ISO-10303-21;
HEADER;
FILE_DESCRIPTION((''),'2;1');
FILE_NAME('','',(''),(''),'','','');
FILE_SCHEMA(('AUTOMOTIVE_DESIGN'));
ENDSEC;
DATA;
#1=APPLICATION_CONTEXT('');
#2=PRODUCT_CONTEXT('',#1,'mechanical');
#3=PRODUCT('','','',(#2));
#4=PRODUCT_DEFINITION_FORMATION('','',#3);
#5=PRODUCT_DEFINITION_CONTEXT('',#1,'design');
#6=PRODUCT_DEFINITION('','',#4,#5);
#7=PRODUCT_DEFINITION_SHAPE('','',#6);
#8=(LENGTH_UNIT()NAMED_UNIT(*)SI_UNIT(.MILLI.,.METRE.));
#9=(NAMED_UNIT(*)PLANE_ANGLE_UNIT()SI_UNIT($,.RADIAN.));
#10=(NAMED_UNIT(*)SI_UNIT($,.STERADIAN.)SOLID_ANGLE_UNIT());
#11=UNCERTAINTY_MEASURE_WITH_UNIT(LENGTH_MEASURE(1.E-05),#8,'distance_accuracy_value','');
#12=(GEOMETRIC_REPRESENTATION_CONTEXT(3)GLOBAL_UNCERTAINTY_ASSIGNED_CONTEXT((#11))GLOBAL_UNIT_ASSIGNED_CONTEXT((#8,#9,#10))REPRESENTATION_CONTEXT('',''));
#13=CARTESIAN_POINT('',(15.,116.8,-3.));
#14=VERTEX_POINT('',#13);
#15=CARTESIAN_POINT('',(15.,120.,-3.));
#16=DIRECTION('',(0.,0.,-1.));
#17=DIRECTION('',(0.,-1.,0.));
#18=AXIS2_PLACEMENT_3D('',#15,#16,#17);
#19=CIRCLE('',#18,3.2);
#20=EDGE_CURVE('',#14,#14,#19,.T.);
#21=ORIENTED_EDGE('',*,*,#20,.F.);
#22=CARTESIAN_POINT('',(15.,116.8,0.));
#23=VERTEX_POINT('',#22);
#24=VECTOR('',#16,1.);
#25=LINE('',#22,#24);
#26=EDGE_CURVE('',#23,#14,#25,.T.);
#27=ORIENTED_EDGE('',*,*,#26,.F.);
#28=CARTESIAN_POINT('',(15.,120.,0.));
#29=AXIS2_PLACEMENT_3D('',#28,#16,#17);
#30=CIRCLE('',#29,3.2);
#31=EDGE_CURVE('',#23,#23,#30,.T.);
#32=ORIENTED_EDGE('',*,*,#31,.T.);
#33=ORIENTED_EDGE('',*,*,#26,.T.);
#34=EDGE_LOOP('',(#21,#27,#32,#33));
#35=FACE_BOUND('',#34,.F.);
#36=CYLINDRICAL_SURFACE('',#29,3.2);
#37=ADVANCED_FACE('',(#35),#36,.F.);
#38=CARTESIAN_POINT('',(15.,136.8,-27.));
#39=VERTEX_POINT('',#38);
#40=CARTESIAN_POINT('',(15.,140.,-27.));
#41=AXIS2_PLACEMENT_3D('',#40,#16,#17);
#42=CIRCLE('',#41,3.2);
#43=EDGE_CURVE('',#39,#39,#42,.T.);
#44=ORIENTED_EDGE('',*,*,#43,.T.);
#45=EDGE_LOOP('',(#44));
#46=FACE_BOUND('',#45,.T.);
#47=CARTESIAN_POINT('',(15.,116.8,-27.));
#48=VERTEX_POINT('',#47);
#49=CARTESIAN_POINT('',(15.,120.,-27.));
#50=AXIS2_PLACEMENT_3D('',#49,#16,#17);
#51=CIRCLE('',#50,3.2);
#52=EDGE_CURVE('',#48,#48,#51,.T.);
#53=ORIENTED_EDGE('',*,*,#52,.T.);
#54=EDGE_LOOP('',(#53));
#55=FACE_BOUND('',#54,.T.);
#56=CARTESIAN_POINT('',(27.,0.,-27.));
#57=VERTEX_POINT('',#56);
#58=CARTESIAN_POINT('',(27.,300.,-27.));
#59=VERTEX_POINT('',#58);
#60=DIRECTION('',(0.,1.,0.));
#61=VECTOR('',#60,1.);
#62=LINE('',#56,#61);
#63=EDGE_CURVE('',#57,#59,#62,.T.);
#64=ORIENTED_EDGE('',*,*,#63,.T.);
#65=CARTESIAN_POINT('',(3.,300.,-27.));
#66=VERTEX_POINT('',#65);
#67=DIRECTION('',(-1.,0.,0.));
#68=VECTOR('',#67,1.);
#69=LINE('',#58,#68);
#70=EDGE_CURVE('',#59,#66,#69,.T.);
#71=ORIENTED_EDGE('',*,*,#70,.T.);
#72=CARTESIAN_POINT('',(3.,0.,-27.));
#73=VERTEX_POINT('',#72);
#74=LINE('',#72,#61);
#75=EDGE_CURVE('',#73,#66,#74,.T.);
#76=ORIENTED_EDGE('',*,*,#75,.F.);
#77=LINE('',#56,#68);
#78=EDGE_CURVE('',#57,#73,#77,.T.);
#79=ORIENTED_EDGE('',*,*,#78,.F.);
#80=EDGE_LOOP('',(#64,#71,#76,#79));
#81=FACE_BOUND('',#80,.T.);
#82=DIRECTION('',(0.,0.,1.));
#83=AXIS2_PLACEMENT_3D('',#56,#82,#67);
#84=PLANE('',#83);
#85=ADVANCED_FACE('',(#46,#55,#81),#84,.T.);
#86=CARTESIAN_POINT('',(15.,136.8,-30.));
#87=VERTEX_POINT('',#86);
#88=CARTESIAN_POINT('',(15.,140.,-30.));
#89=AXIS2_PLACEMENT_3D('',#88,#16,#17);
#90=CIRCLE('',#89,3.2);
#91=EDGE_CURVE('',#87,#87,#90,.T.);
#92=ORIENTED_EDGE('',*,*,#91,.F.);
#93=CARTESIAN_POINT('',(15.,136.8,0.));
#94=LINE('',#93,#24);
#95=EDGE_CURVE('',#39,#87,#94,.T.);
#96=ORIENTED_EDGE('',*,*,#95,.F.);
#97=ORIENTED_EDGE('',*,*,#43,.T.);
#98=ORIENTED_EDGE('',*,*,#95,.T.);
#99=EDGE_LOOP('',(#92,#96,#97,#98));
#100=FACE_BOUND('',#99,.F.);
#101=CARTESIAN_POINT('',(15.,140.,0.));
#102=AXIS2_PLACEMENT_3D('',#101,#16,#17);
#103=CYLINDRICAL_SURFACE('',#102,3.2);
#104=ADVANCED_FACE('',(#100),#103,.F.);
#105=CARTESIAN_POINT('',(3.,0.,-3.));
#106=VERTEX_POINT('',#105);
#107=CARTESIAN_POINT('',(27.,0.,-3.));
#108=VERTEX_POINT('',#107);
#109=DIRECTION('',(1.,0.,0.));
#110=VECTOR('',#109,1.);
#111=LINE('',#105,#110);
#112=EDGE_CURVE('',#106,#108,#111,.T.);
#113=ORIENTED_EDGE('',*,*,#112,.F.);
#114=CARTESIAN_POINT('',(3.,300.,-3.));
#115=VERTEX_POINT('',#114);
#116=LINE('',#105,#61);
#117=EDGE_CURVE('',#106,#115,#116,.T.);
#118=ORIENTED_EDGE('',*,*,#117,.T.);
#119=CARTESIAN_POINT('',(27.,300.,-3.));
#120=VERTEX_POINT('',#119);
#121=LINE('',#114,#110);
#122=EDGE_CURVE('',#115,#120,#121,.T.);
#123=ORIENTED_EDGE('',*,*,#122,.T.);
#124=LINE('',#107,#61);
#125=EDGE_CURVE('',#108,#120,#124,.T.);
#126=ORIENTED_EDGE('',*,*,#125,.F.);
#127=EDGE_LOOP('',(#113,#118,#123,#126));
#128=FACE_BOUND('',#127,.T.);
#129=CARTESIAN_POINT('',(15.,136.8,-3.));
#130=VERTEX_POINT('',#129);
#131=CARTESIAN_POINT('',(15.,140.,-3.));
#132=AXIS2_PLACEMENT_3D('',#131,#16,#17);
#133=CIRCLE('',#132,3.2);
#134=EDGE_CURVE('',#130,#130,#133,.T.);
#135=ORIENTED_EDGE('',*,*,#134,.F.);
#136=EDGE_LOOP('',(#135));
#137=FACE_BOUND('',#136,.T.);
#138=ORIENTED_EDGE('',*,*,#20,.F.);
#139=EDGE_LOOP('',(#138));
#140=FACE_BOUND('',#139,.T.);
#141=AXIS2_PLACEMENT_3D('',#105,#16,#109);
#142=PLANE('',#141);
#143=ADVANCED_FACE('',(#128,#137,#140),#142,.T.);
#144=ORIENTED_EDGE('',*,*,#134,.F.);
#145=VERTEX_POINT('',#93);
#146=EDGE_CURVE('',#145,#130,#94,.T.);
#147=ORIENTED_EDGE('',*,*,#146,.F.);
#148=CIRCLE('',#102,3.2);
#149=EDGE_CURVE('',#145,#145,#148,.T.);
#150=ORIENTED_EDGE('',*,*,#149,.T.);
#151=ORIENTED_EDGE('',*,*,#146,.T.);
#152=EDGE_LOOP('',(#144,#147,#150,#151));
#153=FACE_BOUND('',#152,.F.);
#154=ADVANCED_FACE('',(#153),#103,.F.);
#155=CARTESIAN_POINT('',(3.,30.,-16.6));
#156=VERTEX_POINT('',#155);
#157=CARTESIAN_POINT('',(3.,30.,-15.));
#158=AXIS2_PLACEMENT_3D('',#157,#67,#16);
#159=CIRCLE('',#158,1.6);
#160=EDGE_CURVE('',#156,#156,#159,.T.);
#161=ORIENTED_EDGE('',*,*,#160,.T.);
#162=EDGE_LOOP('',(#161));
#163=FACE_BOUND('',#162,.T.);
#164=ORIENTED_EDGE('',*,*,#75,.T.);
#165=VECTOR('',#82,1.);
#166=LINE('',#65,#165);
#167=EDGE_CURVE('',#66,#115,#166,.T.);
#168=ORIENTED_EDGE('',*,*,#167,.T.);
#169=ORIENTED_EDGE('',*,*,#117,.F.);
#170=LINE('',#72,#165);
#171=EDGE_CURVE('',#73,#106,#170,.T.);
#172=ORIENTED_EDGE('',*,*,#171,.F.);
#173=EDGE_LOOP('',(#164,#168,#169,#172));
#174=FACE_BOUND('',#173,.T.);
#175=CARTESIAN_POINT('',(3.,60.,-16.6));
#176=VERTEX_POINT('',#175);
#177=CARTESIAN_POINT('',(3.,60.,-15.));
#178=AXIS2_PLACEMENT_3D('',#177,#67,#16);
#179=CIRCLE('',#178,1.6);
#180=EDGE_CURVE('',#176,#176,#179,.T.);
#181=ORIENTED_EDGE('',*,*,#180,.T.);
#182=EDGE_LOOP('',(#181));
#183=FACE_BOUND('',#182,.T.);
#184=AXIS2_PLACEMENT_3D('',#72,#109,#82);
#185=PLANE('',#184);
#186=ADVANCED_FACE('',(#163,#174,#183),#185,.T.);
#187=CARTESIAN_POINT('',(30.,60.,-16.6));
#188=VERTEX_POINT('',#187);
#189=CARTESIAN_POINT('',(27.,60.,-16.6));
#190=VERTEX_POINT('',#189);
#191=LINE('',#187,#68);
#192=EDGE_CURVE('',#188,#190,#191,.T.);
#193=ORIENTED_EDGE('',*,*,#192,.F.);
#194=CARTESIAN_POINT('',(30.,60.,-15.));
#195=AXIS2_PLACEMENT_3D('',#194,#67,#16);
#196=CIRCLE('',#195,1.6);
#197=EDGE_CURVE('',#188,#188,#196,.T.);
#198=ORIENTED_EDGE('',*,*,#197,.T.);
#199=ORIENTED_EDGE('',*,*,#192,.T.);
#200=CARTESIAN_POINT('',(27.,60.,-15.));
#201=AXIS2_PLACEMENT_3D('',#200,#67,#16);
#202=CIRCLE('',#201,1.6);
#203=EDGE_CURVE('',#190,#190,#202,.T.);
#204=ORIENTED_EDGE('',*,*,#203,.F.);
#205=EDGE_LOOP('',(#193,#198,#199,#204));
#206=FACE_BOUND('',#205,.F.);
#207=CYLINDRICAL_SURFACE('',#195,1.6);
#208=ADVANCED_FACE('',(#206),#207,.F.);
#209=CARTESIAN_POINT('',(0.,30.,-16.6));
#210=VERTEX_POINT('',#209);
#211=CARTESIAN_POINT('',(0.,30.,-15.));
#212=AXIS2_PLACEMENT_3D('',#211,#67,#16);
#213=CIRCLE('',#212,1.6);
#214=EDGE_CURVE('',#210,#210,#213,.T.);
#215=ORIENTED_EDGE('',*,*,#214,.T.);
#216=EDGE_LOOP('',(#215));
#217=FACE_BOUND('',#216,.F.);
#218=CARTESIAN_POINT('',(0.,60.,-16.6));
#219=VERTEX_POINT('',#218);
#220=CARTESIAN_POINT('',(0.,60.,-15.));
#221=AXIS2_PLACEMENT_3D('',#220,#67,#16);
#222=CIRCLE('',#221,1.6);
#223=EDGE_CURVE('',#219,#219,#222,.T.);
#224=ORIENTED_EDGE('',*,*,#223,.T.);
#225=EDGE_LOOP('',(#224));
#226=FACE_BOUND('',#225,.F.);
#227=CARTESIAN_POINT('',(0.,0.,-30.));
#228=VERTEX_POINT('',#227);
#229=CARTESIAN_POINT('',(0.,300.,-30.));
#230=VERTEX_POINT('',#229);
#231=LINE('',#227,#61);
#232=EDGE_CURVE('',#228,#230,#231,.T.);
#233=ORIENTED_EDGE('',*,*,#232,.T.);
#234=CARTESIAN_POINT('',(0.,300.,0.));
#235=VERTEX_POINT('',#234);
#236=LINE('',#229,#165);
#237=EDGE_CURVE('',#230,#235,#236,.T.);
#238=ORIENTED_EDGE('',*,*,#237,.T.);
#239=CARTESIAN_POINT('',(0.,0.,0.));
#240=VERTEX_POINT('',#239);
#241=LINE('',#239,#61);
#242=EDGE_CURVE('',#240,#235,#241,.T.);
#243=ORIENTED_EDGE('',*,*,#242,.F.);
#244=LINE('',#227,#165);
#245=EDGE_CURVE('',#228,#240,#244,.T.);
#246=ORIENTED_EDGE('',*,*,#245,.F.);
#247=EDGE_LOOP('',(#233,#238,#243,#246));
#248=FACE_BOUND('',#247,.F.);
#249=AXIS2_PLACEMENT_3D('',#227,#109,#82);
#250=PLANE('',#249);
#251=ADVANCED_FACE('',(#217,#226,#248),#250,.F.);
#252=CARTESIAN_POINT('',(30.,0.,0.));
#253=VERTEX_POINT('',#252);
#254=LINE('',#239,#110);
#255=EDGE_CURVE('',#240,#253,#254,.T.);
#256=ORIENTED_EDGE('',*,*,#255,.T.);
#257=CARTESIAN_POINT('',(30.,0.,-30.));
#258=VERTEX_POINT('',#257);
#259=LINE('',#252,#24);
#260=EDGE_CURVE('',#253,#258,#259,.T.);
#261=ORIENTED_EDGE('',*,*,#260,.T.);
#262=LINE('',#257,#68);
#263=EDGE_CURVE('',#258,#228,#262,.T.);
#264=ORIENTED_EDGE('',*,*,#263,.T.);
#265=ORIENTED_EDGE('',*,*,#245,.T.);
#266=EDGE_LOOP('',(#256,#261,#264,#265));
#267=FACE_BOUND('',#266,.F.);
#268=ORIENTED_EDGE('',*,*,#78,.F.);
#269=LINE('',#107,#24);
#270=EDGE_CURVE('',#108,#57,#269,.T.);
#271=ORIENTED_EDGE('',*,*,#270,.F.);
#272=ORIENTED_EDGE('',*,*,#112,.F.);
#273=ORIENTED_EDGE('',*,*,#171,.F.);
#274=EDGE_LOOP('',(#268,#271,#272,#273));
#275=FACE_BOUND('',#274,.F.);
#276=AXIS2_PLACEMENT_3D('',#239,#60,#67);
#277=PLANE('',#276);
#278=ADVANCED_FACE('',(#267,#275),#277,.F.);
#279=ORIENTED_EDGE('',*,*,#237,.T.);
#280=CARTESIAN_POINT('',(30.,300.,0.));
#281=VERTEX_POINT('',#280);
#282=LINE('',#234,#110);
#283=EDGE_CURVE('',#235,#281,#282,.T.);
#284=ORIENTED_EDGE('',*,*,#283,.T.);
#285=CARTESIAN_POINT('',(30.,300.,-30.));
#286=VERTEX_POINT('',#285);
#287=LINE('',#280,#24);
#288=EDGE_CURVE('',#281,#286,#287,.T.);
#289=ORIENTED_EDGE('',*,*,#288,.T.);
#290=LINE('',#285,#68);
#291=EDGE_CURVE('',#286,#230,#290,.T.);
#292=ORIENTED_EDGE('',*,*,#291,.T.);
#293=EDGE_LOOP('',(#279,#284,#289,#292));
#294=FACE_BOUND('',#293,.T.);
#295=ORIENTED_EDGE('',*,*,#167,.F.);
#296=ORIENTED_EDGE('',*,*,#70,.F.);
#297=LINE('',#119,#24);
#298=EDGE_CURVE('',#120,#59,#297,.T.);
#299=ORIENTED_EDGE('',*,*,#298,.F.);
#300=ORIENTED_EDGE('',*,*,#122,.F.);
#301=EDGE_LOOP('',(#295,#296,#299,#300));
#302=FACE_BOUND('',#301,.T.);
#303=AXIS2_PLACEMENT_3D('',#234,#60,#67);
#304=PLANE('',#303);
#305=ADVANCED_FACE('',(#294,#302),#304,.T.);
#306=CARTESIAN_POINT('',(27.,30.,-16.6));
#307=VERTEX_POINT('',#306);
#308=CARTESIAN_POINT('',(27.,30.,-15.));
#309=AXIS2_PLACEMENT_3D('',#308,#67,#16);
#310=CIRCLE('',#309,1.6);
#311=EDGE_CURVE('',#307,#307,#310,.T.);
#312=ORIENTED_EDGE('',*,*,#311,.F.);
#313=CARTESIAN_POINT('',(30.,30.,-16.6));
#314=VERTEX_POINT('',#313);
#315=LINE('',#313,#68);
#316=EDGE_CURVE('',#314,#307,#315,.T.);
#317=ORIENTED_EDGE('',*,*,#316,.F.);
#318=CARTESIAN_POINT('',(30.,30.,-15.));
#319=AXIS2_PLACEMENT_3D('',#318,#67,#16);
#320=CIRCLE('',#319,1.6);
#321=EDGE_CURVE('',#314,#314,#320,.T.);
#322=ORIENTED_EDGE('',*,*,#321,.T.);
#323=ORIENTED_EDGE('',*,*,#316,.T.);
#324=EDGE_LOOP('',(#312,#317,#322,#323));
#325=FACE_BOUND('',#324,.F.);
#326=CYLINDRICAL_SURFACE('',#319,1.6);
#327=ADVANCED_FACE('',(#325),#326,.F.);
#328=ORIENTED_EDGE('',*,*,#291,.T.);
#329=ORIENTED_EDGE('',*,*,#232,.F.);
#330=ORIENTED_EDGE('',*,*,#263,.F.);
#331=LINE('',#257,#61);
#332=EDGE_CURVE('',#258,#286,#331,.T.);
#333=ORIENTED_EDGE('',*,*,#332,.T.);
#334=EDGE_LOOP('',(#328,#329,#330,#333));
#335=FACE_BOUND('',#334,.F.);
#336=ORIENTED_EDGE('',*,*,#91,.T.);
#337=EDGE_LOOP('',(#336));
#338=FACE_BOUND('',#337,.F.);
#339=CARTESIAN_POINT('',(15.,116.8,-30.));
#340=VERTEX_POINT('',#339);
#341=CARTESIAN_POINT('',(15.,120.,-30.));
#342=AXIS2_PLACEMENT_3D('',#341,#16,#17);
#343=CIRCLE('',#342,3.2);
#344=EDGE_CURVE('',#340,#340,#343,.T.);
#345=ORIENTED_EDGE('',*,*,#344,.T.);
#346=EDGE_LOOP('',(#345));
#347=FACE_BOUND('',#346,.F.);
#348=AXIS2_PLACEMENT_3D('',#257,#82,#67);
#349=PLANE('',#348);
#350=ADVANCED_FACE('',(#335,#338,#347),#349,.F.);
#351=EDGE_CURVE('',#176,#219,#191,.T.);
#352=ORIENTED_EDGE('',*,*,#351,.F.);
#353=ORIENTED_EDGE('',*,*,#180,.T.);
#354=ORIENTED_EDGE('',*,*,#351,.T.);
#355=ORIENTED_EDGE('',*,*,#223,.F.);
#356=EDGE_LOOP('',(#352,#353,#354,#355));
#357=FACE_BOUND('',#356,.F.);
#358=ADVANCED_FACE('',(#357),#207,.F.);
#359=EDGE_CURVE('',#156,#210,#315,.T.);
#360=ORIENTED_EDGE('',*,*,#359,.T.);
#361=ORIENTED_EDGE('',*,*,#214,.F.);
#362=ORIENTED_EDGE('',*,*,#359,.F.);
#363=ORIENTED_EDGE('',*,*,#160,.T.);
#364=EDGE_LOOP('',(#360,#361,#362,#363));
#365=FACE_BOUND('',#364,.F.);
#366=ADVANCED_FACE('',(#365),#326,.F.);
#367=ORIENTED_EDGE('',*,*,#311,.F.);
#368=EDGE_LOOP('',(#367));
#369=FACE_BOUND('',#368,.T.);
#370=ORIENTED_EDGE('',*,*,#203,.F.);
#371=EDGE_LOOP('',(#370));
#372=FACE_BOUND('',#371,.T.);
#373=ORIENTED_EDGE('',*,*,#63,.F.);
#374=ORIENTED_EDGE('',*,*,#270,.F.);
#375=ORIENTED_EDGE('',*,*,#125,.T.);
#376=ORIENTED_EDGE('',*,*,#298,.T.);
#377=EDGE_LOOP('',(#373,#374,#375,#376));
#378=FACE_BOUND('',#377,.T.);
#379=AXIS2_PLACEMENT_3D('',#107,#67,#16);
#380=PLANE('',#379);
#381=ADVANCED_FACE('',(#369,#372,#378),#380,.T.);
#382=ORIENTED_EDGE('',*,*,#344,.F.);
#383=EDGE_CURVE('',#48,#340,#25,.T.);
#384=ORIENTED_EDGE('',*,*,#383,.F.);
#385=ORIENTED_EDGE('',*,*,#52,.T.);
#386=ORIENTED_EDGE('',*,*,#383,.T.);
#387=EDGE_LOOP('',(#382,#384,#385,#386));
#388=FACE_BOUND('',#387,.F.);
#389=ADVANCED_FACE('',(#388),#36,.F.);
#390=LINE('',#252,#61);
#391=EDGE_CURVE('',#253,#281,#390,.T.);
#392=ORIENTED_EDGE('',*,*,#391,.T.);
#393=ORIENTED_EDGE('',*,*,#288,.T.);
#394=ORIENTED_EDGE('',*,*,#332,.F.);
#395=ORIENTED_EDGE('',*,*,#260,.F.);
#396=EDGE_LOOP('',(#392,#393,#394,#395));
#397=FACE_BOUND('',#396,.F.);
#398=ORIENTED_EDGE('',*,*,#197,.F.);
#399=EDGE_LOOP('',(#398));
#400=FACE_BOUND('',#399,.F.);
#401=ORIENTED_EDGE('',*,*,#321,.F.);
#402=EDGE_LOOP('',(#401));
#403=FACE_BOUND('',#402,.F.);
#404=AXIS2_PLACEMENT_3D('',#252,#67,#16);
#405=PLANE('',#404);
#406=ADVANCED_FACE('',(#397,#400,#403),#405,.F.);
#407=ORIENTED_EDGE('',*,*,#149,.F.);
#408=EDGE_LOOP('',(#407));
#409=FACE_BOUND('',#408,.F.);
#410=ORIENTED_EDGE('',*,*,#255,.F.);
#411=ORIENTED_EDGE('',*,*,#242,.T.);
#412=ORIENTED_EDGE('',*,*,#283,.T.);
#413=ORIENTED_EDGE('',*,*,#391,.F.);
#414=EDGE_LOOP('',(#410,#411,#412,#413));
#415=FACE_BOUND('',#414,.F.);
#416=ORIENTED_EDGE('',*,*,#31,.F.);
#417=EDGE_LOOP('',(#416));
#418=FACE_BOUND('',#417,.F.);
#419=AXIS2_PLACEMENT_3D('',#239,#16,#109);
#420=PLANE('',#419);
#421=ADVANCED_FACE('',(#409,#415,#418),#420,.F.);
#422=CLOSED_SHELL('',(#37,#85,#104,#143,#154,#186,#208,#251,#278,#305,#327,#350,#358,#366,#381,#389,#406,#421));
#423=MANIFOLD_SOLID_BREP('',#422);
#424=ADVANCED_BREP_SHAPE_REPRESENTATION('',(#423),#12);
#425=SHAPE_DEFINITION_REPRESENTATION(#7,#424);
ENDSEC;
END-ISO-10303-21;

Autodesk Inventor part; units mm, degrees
ref_plane "YZ Plane" through (0, 0, 0) normal (1, 0, 0) x (0, 1, 0)
ref_plane "XZ Plane" through (0, 0, 0) normal (0, 1, 0) x (-1, 0, 0)
ref_plane "XY Plane" through (0, 0, 0) normal (0, 0, 1) x (1, 0, 0)
sketch "スケッチ1" plane through (0, 0, 0) normal (0, 1, 0) x (-1, 0, 0)
  line L0 (0, 0) -> (-30, 0)
  line L1 (-30, 0) -> (-30, -30)
  line L2 (-30, -30) -> (0, -30)
  line L3 (0, -30) -> (0, 0)
  line L4 (-3, -3) -> (-27, -3)
  line L5 (-27, -3) -> (-27, -27)
  line L6 (-27, -27) -> (-3, -27)
  line L7 (-3, -27) -> (-3, -3)
  dimension "d0" = 30
  dimension "d1" = 30
  dimension "d2" = 24
  dimension "d3" = 24
  dimension "d4" = 3
  dimension "d5" = 3
extrude "押し出し1" add sketch "スケッチ1" along normal blind 300
sketch "スケッチ2" plane through (0, 0, 0) normal (0, 0, 1) x (1, 0, 0)
  point P0 (0, 0)
  point P1 (13.8561, 31.5859)
sketch "スケッチ3" plane through (30, 0, 0) normal (1, 0, 0) x (0, 0, -1)
  line L0 (30, 0) -> (30, 300) projected
  line L1 (0, 0) -> (30, 0) projected
  point P0 (15, 60)
  point P1 (15, 30)
  point P2 (15, 0)
  dimension "d11" = 30
  dimension "d12" = 30
hole "穴1" at (30, 30, -15) at (30, 60, -15) direction (-1, 0, 0) diameter 3.2 end through all
sketch "スケッチ4" plane through (0, 0, 0) normal (0, 0, 1) x (1, 0, 0)
  line L0 (30, 0) -> (0, 0) construction
  line L1 (15, 0) -> (15, 300) construction
  line L2 (30, 300) -> (0, 300) construction
  point P0 (15, 120)
  point P1 (15, 140)
  dimension "d20" = 120
  dimension "d21" = 20
hole "穴2" at (15, 120, 0) at (15, 140, 0) direction (0, 0, -1) diameter 6.4 end through all
properties part number "base" material "アルミニウム 6061"
